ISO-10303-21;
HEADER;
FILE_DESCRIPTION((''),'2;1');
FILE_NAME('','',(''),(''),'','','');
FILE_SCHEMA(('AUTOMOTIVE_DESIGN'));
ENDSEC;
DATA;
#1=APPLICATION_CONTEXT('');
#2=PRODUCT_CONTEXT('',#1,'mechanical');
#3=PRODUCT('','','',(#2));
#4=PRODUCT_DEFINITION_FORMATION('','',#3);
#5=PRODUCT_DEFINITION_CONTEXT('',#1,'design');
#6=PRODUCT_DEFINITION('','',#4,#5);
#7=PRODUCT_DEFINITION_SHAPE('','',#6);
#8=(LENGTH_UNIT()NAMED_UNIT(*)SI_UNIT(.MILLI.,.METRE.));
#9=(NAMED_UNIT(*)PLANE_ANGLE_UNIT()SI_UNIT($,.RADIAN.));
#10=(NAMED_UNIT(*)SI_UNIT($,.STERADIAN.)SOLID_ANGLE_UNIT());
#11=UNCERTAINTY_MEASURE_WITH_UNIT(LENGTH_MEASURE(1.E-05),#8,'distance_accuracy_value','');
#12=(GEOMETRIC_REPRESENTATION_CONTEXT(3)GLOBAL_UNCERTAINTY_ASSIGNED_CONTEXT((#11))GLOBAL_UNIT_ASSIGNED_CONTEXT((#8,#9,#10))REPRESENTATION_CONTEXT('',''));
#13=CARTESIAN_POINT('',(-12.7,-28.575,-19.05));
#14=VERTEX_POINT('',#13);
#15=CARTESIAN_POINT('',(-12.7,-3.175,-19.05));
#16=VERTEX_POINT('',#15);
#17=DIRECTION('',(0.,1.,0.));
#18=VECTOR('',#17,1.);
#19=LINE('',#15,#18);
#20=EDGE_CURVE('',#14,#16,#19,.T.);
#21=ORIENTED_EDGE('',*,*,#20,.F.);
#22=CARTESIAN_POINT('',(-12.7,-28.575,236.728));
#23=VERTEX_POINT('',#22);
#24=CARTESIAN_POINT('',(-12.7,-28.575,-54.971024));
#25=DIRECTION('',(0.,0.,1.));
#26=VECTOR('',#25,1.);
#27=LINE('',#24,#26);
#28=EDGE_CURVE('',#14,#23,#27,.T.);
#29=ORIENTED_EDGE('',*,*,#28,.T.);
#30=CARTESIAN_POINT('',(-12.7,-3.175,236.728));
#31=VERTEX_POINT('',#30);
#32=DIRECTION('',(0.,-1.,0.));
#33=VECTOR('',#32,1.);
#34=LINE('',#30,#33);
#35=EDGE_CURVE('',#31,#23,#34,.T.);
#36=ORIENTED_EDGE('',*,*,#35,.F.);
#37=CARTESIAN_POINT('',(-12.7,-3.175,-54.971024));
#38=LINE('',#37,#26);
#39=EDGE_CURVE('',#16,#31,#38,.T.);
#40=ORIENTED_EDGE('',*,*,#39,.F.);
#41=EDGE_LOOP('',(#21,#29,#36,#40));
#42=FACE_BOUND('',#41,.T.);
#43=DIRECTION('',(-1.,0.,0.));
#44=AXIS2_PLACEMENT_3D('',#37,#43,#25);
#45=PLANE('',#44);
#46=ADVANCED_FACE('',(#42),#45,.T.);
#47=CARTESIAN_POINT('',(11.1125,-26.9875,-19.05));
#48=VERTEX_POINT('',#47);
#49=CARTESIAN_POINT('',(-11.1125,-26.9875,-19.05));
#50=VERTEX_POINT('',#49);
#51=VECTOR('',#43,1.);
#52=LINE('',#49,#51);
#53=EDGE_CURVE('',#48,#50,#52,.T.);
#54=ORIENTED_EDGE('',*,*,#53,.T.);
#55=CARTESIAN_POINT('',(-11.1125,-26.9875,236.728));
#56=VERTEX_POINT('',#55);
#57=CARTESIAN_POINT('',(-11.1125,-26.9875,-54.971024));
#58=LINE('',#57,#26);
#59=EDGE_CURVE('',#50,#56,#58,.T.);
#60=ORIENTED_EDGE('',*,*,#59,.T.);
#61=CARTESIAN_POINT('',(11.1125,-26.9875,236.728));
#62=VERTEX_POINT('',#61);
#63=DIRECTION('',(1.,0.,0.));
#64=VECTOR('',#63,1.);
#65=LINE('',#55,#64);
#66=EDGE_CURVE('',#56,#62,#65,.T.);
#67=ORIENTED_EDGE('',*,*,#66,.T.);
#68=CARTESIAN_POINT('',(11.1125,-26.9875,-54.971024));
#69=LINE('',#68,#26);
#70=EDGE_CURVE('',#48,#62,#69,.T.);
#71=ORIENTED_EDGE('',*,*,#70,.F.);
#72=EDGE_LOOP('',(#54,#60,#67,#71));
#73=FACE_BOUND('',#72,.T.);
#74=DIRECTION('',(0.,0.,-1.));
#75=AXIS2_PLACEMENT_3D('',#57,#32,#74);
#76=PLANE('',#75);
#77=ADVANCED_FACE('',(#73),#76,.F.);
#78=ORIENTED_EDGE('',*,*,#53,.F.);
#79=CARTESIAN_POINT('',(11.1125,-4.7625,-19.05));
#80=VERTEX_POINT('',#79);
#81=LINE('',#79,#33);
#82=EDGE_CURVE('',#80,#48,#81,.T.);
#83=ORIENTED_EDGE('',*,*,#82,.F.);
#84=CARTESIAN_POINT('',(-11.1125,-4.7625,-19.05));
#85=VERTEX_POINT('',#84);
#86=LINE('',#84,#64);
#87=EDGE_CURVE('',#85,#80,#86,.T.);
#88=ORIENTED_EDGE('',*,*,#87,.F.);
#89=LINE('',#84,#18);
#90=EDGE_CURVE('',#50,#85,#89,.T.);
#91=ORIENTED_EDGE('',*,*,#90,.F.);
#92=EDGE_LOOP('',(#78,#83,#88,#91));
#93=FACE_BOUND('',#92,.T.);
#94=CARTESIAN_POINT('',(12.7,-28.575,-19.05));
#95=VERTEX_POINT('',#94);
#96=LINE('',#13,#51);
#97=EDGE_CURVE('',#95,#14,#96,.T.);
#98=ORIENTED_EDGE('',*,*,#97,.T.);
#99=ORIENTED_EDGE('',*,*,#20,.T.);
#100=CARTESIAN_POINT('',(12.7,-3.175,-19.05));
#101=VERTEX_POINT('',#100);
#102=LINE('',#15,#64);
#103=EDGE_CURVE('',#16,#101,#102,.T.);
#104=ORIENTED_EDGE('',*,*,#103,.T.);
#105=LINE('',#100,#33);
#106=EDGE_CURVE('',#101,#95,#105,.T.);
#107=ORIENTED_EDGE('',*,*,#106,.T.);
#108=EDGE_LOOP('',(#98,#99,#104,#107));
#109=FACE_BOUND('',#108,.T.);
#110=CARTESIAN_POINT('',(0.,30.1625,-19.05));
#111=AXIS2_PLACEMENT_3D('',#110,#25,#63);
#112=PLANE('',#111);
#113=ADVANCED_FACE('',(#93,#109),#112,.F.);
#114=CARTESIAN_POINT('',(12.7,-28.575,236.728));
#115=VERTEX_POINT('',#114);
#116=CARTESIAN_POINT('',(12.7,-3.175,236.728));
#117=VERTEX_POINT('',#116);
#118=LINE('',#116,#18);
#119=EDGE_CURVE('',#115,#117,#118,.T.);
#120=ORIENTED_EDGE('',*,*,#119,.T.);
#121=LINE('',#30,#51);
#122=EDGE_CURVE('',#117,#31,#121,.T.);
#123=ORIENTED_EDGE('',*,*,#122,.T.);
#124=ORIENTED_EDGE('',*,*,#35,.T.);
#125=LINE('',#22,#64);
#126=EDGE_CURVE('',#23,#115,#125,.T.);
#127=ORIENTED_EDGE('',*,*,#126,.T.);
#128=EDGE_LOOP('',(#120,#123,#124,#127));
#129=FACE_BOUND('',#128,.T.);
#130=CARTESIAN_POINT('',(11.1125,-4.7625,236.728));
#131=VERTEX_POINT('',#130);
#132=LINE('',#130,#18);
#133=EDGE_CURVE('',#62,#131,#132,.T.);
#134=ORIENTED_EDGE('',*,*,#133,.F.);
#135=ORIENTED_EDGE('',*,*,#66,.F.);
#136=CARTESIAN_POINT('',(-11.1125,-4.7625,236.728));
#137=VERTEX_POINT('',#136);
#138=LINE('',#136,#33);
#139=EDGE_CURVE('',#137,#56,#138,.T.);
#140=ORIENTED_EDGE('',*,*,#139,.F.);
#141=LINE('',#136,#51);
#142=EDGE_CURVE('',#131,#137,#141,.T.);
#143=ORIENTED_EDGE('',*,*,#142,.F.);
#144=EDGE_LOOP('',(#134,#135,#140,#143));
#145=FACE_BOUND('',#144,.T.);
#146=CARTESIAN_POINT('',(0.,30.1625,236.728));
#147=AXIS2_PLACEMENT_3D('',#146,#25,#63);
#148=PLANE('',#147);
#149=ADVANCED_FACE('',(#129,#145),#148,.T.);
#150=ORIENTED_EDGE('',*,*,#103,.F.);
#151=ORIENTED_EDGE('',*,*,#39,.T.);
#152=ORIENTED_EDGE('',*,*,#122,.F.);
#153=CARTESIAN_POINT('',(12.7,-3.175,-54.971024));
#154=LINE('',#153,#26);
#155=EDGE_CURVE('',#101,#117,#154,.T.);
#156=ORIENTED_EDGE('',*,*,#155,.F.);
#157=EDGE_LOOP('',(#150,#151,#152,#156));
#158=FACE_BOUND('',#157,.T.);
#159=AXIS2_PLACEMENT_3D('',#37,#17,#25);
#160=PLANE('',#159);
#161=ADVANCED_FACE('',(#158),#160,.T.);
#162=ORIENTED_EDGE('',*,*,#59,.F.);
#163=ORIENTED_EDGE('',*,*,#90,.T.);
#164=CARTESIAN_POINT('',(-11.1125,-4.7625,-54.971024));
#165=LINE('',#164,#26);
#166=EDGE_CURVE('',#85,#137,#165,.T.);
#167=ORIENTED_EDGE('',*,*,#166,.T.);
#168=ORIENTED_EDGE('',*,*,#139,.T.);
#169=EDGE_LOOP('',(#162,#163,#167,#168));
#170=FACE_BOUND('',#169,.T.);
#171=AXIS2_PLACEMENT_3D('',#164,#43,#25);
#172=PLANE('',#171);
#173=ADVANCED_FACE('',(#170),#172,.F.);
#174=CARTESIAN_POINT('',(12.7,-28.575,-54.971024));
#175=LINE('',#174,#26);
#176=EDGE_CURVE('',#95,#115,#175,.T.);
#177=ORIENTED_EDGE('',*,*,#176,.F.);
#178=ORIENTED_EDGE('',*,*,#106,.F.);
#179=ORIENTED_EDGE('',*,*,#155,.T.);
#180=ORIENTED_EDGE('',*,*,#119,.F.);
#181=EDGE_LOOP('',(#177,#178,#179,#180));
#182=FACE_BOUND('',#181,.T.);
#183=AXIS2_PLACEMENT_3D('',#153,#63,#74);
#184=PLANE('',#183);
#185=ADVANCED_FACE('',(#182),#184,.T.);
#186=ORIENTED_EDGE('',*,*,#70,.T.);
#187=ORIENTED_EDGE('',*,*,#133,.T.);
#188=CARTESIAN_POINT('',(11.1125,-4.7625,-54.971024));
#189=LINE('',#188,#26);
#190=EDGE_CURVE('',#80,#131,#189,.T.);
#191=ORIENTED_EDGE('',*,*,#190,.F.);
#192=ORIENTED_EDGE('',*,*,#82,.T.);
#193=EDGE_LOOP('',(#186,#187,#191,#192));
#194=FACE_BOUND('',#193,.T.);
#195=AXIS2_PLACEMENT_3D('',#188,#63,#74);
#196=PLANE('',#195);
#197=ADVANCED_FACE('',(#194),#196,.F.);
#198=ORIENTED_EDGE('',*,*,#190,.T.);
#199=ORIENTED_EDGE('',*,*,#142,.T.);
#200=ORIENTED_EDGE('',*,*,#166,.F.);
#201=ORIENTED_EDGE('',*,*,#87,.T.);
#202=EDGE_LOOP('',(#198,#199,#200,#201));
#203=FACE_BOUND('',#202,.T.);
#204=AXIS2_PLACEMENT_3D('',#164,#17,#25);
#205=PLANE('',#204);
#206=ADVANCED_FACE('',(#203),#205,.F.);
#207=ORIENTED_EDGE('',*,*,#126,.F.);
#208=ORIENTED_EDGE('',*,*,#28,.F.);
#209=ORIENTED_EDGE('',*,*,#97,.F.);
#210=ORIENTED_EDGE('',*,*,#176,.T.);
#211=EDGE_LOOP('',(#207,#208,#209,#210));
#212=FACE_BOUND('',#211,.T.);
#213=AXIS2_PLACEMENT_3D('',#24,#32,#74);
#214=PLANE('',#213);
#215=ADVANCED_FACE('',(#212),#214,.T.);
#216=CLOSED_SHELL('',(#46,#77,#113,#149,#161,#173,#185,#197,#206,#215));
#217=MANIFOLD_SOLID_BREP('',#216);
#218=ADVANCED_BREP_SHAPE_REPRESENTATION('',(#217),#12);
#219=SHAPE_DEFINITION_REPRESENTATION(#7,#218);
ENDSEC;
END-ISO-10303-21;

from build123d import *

# Parameters (mm, degrees)
EXTRUDE1_DEPTH      = 236.728
EXTRUDE1_DEPTH_BACK = 19.05
SKETCH1_W           = 25.4
SKETCH1_H           = 25.4
SKETCH1_W_2         = 22.225
SKETCH1_H_2         = 22.225


with BuildPart() as part:
    # Sketch1 → Extrude1 (new, two sides: drawn at the far end of the back side and taken through both)
    with BuildSketch(Plane.XY.offset(-EXTRUDE1_DEPTH_BACK)):
        with Locations((0, -15.875)):
            Rectangle(SKETCH1_W, SKETCH1_H)
        with Locations((0, -15.875)):
            Rectangle(SKETCH1_W_2, SKETCH1_H_2, mode=Mode.SUBTRACT)
    extrude(amount=EXTRUDE1_DEPTH + EXTRUDE1_DEPTH_BACK)


solid = part.part
